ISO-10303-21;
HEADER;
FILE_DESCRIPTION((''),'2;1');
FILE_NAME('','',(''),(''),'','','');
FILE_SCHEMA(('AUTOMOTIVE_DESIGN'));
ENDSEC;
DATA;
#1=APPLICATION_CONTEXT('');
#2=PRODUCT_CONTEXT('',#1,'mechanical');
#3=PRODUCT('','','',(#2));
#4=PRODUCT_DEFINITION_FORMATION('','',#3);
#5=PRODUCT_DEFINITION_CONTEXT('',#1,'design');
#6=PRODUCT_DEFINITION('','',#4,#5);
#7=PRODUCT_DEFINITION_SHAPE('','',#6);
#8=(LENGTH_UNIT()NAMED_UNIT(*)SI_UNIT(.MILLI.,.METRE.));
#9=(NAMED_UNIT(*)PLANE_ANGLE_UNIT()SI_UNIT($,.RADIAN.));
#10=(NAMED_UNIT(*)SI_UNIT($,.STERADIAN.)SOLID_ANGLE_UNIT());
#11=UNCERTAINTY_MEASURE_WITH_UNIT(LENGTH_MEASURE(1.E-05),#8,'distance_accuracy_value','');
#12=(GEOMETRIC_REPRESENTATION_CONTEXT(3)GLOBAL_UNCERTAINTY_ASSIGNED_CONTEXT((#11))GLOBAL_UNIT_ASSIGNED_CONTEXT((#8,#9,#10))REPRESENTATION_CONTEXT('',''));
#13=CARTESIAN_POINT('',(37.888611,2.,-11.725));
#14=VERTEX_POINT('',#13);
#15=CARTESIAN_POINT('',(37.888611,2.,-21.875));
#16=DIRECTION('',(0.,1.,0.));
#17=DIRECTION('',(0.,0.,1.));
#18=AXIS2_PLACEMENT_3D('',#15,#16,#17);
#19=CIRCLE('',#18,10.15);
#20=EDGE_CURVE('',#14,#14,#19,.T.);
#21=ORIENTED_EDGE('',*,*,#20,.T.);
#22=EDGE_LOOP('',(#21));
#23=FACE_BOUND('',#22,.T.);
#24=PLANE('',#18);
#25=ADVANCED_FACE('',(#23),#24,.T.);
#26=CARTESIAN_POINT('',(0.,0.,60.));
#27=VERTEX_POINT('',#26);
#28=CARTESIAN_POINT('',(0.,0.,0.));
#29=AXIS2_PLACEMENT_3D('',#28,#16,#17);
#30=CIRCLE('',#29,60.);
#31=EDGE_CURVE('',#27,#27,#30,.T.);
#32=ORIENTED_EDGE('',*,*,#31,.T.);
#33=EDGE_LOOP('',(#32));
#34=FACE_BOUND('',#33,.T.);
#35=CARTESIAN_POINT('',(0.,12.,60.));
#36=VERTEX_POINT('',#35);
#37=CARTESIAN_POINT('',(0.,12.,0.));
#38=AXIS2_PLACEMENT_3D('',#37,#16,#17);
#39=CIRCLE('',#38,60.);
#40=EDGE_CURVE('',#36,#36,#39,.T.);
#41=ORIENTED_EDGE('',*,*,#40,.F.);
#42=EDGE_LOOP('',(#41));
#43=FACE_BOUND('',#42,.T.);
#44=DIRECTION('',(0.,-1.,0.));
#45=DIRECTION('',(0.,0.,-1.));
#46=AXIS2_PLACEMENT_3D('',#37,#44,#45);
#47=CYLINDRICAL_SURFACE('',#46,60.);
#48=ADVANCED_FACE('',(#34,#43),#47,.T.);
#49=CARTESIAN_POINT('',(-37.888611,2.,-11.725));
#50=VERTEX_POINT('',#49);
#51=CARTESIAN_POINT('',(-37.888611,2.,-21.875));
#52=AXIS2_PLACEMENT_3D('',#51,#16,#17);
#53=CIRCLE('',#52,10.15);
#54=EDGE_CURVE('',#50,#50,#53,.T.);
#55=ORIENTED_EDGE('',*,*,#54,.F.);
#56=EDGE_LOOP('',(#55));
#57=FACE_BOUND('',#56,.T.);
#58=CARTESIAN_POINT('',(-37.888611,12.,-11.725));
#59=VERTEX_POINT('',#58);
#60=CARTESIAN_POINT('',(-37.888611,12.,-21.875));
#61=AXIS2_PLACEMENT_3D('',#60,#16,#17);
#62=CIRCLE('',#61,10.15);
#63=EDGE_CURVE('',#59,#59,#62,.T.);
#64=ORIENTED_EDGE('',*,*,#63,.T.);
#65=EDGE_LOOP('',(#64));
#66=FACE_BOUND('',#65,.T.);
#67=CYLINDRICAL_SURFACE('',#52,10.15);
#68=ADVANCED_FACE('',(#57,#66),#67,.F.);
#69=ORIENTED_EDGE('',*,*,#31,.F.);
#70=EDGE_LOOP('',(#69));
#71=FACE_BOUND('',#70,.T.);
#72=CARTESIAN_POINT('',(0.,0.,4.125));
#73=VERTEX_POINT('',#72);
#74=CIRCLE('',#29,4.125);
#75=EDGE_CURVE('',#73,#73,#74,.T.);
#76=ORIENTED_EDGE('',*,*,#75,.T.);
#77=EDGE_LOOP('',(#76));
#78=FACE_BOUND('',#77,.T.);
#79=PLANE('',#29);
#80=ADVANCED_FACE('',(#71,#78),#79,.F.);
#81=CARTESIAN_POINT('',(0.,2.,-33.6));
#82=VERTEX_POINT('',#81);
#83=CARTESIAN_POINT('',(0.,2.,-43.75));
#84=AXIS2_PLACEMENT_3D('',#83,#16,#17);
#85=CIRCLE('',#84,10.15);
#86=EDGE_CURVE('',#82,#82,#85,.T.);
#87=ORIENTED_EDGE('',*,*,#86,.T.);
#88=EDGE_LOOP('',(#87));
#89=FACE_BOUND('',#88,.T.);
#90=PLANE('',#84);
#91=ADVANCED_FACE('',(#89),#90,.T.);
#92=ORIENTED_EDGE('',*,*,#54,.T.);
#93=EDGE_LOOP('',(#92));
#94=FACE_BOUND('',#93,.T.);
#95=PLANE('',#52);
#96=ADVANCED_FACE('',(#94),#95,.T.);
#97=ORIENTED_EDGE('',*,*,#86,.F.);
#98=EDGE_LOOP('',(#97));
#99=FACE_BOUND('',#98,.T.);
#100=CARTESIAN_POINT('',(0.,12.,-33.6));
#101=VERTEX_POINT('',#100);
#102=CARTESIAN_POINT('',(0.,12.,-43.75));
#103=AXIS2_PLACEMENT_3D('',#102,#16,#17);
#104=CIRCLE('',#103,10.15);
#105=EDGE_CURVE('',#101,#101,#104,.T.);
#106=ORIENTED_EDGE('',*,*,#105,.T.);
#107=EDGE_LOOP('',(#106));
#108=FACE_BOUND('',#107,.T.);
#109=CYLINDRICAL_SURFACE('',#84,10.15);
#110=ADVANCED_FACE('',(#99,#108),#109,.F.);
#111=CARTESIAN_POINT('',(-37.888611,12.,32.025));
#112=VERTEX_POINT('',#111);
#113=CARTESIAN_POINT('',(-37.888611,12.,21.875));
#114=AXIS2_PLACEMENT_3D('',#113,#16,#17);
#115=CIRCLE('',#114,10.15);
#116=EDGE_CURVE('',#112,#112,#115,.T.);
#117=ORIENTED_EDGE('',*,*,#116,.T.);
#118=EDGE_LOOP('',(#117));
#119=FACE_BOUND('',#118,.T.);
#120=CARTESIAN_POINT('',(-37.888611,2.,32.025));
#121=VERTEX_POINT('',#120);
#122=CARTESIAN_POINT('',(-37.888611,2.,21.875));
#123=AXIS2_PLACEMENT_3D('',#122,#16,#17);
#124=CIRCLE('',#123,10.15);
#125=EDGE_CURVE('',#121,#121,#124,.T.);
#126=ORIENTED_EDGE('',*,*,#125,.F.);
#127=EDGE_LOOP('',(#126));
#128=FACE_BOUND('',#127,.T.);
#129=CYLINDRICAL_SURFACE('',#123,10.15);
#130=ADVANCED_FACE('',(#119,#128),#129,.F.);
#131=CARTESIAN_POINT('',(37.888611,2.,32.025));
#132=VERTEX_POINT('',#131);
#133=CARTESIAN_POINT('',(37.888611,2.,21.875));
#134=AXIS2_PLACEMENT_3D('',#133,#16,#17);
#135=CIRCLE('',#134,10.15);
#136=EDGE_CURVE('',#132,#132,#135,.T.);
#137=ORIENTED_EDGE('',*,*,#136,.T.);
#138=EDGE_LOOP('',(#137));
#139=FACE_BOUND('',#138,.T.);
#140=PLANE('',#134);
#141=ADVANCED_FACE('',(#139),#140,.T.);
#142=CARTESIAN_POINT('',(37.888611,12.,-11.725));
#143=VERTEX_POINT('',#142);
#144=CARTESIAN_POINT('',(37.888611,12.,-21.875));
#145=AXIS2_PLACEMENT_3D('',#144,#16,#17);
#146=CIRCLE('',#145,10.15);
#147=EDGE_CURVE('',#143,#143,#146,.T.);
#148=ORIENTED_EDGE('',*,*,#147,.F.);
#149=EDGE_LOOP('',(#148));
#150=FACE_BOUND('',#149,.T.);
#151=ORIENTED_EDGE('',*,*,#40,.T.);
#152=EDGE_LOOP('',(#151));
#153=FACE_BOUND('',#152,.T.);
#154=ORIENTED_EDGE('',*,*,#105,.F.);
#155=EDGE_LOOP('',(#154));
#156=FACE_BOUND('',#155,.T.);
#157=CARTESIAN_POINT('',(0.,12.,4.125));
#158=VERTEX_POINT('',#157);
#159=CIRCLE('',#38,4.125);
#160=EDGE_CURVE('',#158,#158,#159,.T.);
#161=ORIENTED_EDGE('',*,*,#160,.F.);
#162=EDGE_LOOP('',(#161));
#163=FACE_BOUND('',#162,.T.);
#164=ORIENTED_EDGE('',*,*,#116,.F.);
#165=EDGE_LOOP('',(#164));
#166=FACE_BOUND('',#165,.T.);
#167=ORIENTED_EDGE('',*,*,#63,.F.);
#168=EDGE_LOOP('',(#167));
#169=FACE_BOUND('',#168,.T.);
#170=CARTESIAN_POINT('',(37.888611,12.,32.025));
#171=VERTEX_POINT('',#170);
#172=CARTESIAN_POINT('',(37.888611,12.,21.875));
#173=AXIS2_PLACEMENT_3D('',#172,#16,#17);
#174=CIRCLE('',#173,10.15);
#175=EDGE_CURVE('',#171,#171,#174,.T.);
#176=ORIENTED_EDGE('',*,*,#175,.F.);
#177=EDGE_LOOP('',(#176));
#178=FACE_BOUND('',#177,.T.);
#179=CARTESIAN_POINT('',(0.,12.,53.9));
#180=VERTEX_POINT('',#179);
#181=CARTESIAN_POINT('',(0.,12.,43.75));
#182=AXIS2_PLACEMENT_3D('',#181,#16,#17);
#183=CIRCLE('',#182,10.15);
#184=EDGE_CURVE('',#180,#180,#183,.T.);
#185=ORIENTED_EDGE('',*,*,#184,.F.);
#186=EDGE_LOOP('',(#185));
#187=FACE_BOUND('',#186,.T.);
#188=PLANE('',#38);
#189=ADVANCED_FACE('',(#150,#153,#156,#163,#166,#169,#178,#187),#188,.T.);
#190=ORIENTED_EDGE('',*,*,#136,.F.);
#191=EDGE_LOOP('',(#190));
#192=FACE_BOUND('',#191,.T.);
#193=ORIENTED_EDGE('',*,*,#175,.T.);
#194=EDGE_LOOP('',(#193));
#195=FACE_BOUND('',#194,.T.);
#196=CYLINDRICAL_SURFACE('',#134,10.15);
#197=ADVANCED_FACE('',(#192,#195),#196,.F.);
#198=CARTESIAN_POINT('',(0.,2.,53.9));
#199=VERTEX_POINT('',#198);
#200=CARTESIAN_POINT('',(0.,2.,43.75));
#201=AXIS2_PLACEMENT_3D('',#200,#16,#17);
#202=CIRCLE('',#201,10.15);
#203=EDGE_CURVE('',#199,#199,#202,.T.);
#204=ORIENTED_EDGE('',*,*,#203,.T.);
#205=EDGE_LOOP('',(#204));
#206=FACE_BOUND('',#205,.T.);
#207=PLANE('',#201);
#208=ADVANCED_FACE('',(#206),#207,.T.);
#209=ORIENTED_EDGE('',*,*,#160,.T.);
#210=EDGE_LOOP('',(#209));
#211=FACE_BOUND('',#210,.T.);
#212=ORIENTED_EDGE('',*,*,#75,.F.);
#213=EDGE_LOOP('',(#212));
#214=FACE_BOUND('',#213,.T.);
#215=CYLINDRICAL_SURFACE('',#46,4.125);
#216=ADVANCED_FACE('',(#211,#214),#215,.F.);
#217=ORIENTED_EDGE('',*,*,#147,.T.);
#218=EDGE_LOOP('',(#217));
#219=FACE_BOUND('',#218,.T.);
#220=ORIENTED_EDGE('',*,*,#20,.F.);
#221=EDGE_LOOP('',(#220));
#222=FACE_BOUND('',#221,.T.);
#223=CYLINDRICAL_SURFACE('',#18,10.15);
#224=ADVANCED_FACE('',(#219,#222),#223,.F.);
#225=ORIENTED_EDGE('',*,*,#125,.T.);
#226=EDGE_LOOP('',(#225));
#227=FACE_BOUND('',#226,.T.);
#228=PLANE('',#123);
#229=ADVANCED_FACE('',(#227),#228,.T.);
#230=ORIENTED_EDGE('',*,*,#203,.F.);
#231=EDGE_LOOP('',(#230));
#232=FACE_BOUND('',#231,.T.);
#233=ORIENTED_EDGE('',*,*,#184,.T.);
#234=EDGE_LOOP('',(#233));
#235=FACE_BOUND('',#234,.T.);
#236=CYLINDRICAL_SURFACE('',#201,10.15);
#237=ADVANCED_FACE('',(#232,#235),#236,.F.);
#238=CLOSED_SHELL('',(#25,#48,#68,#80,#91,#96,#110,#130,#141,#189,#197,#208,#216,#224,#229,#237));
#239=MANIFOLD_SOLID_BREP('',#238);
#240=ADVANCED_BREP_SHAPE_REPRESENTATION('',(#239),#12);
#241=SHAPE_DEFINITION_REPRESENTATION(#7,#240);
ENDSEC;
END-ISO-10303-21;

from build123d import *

# Parameters (mm, degrees)
ESBO_O1_R                = 60
ESBO_O1_R_2              = 4.125
RESSALTO_EXTRUS_O1_DEPTH = 12
ESBO_O2_R                = 10.15
CORTE_EXTRUS_O1_DEPTH    = 10


with BuildPart() as part:
    # Esboço1 → Ressalto-extrusão1 (new body)
    with BuildSketch(Plane(origin=(0, 0, 0), x_dir=(1, 0, 0), z_dir=(0, 1, 0))):
        with Locations(Location((0, 0, 0), (0, 0, 270))):
            Circle(ESBO_O1_R)
        with Locations(Location((0, 0, 0), (0, 0, 270))):
            Circle(ESBO_O1_R_2, mode=Mode.SUBTRACT)
    extrude(amount=RESSALTO_EXTRUS_O1_DEPTH)

    # Esboço2 → Corte-extrusão1 (cut)
    with BuildSketch(Plane(origin=(0, 12, 0), x_dir=(1, 0, 0), z_dir=(0, 1, 0))):
        with Locations(Location((0, 43.75, 0), (0, 0, 270))):
            Circle(ESBO_O2_R)
        with Locations(Location((37.888611416, 21.875, 0), (0, 0, 270))):
            Circle(ESBO_O2_R)
        with Locations(Location((37.888611416, -21.875, 0), (0, 0, 270))):
            Circle(ESBO_O2_R)
        with Locations(Location((0, -43.75, 0), (0, 0, 270))):
            Circle(ESBO_O2_R)
        with Locations(Location((-37.888611416, -21.875, 0), (0, 0, 270))):
            Circle(ESBO_O2_R)
        with Locations(Location((-37.888611416, 21.875, 0), (0, 0, 270))):
            Circle(ESBO_O2_R)
    extrude(amount=-CORTE_EXTRUS_O1_DEPTH, mode=Mode.SUBTRACT)


solid = part.part
